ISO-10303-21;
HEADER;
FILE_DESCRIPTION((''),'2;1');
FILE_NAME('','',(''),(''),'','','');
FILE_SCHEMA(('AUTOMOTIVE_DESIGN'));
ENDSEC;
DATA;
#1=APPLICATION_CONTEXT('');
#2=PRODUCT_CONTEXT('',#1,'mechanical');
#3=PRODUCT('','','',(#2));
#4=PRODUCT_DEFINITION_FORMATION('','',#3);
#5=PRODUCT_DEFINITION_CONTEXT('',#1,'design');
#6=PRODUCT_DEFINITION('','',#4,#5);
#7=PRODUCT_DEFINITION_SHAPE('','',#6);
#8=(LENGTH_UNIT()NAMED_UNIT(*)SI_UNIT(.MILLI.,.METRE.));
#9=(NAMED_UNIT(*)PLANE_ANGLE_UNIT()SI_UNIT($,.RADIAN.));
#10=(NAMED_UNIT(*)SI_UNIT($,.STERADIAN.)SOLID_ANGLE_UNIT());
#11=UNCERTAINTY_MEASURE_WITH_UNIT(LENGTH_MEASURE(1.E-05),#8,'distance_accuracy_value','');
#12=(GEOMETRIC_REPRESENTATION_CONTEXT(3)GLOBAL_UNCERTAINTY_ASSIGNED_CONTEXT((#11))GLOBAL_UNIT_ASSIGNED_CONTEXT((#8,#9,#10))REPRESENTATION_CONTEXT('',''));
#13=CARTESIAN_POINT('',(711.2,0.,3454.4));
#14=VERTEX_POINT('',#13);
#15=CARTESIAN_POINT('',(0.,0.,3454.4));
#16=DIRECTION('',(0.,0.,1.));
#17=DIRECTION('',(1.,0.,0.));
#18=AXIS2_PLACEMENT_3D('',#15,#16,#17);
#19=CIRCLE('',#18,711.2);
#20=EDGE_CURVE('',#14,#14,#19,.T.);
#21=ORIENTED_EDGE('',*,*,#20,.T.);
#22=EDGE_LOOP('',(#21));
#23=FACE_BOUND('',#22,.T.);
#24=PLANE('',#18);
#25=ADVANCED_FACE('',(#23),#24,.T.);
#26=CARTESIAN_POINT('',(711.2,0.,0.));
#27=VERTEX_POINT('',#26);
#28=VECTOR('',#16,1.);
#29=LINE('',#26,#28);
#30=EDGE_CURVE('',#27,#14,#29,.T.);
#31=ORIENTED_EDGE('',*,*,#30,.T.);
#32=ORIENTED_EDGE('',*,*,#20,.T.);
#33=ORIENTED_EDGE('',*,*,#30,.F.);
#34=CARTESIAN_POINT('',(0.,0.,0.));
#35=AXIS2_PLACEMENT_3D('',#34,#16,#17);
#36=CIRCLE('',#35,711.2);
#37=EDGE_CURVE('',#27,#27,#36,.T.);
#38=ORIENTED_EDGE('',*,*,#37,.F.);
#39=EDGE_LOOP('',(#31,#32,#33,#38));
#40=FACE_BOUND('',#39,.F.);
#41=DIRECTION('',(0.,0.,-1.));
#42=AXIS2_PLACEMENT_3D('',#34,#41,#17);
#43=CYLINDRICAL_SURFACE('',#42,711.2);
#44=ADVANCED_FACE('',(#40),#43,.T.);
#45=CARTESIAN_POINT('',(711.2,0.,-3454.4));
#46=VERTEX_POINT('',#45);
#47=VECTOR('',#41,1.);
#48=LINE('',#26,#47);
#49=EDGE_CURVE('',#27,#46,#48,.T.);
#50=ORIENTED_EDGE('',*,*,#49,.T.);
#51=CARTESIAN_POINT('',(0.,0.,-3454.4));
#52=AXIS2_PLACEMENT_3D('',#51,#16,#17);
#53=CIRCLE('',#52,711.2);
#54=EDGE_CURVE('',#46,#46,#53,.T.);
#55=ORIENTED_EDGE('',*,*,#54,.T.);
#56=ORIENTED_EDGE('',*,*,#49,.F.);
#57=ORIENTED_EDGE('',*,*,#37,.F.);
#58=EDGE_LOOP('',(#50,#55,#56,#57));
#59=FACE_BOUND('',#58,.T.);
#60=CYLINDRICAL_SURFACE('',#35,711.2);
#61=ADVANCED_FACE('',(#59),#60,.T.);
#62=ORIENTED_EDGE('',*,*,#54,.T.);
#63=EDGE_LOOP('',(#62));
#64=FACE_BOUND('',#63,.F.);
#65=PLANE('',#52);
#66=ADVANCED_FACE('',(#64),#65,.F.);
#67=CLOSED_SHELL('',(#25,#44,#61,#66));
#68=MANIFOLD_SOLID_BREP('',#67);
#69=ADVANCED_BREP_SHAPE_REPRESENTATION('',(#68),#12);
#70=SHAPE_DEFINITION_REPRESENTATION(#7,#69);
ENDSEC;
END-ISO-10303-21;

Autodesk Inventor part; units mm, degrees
ref_plane "YZ Plane" through (0, 0, 0) normal (1, 0, 0) x (0, 1, 0)
ref_plane "XZ Plane" through (0, 0, 0) normal (0, 1, 0) x (-1, 0, 0)
ref_plane "XY Plane" through (0, 0, 0) normal (0, 0, 1) x (1, 0, 0)
sketch "Sketch1" plane through (0, 0, 0) normal (0, 0, 1) x (1, 0, 0)
  circle A0 centre (0, 0) radius 711.2
  dimension "d0" = 1422.4
extrude "Extrusion1" add sketch "Sketch1" along normal mid plane 6908.8
properties part number "InsideMiddleShaftCJE" material "Steel, Alloy"
